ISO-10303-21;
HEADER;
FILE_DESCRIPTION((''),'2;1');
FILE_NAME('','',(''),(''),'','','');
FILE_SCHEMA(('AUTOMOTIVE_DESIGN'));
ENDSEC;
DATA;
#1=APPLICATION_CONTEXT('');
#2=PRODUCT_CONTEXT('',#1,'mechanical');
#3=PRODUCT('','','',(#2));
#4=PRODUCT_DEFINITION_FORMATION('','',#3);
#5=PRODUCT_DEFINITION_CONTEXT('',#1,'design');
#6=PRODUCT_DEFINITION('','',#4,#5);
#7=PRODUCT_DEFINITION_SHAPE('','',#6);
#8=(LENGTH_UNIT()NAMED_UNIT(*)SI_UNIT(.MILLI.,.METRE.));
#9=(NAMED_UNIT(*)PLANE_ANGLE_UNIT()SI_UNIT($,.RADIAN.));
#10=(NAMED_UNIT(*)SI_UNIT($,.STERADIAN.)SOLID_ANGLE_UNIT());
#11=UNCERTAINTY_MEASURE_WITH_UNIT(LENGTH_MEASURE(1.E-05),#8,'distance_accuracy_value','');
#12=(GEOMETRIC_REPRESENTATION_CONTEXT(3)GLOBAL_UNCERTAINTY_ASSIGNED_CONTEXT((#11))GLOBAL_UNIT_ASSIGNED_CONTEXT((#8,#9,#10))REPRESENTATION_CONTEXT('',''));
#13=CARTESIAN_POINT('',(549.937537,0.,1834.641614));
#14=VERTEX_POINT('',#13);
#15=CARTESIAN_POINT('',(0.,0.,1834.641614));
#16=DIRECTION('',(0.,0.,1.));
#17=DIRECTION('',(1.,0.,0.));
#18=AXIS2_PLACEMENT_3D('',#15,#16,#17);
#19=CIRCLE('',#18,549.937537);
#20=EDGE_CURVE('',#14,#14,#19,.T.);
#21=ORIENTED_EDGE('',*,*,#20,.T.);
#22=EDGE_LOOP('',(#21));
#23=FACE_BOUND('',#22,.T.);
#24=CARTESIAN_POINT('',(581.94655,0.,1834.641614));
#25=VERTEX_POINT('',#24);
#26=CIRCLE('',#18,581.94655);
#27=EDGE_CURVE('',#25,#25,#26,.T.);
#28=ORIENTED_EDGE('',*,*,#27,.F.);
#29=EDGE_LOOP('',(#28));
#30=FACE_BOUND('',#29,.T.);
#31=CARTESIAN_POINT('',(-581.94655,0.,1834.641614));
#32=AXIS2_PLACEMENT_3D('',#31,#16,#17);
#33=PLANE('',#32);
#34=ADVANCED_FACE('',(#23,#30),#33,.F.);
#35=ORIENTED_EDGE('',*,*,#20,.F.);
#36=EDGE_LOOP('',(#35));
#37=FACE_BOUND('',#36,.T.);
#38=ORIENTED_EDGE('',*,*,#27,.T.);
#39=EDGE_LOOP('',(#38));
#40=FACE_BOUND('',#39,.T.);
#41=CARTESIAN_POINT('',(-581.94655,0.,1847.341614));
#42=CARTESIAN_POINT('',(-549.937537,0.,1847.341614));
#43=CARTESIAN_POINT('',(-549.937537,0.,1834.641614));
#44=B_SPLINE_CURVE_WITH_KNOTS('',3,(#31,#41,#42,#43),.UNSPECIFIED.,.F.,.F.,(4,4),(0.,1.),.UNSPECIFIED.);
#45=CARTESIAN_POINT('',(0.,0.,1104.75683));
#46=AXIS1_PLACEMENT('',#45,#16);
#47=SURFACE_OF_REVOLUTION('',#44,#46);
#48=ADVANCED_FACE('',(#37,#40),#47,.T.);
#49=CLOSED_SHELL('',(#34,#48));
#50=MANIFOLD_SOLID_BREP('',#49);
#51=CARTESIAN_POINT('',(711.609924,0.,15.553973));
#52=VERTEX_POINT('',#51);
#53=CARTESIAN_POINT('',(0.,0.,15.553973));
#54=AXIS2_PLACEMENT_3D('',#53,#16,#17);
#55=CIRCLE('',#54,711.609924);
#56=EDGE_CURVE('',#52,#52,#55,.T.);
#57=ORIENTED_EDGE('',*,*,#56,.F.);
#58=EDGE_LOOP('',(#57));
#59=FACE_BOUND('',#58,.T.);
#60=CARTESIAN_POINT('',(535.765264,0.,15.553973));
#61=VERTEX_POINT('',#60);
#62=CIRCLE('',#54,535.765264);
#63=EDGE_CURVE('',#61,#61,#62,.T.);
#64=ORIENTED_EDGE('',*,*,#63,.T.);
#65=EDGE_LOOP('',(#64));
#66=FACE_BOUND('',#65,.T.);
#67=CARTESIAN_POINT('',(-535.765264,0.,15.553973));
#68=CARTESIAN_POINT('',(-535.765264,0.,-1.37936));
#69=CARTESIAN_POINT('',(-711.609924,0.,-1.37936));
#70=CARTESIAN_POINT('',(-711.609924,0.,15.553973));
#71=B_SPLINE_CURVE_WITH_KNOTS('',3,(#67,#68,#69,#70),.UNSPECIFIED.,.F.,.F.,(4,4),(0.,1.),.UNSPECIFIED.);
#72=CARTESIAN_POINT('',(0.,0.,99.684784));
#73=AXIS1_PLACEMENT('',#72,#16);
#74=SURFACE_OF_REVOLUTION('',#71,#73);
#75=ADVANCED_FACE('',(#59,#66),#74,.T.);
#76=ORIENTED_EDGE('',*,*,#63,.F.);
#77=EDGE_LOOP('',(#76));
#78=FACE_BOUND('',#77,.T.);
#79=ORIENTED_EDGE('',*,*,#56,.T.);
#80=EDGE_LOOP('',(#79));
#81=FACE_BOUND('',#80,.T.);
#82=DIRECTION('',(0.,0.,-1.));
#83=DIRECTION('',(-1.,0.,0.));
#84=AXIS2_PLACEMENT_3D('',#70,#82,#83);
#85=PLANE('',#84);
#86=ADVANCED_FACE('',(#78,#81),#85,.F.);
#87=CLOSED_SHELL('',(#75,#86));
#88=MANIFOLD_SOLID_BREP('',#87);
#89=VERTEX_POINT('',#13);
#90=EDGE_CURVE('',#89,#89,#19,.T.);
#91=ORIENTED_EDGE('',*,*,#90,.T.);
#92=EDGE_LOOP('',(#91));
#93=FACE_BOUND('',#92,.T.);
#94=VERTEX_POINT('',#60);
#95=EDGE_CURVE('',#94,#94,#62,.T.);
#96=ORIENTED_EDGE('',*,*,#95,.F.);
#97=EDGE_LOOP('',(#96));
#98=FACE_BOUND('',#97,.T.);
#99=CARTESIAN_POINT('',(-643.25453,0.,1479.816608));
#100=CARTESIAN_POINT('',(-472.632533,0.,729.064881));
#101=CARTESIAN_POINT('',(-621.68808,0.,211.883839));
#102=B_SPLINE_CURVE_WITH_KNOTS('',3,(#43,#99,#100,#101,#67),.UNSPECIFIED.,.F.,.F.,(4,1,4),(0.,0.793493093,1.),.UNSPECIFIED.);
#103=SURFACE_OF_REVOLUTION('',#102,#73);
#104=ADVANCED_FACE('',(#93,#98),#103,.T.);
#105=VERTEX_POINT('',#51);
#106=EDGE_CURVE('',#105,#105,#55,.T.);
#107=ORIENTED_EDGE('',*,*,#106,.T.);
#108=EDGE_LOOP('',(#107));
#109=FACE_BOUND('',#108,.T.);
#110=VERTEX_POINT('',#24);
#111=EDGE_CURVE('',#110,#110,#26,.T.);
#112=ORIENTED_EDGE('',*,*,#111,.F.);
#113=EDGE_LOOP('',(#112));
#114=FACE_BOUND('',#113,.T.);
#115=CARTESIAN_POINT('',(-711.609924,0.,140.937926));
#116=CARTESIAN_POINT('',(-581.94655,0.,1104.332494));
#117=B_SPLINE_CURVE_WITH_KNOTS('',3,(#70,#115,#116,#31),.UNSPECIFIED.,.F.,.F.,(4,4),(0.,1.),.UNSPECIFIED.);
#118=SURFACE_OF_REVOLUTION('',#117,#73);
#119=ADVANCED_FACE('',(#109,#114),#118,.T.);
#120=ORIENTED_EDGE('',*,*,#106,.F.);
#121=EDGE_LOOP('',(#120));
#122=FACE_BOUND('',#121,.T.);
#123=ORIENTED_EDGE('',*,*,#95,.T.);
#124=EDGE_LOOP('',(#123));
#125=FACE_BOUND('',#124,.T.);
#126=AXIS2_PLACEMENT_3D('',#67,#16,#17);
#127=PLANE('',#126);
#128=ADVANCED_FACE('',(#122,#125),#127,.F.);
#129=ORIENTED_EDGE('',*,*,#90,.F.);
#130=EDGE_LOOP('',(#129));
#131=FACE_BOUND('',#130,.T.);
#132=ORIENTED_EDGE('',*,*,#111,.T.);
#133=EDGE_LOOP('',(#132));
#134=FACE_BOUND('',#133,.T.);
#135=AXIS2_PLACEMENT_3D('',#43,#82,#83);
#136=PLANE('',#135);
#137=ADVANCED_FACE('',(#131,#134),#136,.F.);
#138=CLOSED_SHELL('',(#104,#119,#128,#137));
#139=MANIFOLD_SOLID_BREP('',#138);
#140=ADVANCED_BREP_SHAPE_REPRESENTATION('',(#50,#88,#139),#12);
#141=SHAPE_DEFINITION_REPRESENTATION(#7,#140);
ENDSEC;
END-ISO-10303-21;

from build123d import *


with BuildPart() as part:
    # Sketch21 → Revolve2 (revolve)
    with BuildSketch(Plane(origin=(0, 0, 0), x_dir=(1, 0, 0), z_dir=(0, 1, 0))):
        with BuildLine():
            Line((-549.937537395, -1834.641614461), (-581.946550206, -1834.641614461))
            add(Edge.make_bspline(
                [(-711.609923736, -15.553973297), (-711.609923736, -140.937925673), (-581.946550206, -1104.332494076), (-581.946550206, -1834.641614461)],
                knots=[0, 0, 0, 0, 1, 1, 1, 1], degree=3))
            Line((-711.609923736, -15.553973297), (-535.765264219, -15.553973297))
            add(Edge.make_bspline(
                [(-535.765264219, -15.553973297), (-621.688080132, -211.883838714), (-472.632532819, -729.064881211), (-643.254530462, -1479.816607803), (-549.937537395, -1834.641614461)],
                knots=[0, 0, 0, 0, 0.206506907, 1, 1, 1, 1], degree=3))
        make_face()
    revolve(axis=Axis((0, 0, 99.684784321), (0, 0, -1)))


with BuildPart() as body_2:
    # Sketch22 → Revolve3 (revolve)
    with BuildSketch(Plane(origin=(0, 0, 0), x_dir=(1, 0, 0), z_dir=(0, 1, 0))):
        with BuildLine():
            Line((-711.609923736, -15.553973297), (-535.765264219, -15.553973297))
            add(Edge.make_bspline(
                [(-711.609923736, -15.553973297), (-711.609923736, 1.379360037), (-535.765264219, 1.379360037), (-535.765264219, -15.553973297)],
                knots=[0, 0, 0, 0, 1, 1, 1, 1], degree=3))
        make_face()
    revolve(axis=Axis((0, 0, 99.684784321), (0, 0, -1)))


with BuildPart() as body_3:
    # Sketch23 → Revolve4 (revolve)
    with BuildSketch(Plane(origin=(0, 0, 0), x_dir=(1, 0, 0), z_dir=(0, 1, 0))):
        with BuildLine():
            Line((-581.946550206, -1834.641614461), (-549.937537395, -1834.641614461))
            add(Edge.make_bspline(
                [(-581.946550206, -1834.641614461), (-581.946550206, -1847.341614461), (-549.937537395, -1847.341614461), (-549.937537395, -1834.641614461)],
                knots=[0, 0, 0, 0, 1, 1, 1, 1], degree=3))
        make_face()
    revolve(axis=Axis((0, 0, 1104.756830123), (0, 0, -1)))


solid = Compound([part.part, body_2.part, body_3.part])
